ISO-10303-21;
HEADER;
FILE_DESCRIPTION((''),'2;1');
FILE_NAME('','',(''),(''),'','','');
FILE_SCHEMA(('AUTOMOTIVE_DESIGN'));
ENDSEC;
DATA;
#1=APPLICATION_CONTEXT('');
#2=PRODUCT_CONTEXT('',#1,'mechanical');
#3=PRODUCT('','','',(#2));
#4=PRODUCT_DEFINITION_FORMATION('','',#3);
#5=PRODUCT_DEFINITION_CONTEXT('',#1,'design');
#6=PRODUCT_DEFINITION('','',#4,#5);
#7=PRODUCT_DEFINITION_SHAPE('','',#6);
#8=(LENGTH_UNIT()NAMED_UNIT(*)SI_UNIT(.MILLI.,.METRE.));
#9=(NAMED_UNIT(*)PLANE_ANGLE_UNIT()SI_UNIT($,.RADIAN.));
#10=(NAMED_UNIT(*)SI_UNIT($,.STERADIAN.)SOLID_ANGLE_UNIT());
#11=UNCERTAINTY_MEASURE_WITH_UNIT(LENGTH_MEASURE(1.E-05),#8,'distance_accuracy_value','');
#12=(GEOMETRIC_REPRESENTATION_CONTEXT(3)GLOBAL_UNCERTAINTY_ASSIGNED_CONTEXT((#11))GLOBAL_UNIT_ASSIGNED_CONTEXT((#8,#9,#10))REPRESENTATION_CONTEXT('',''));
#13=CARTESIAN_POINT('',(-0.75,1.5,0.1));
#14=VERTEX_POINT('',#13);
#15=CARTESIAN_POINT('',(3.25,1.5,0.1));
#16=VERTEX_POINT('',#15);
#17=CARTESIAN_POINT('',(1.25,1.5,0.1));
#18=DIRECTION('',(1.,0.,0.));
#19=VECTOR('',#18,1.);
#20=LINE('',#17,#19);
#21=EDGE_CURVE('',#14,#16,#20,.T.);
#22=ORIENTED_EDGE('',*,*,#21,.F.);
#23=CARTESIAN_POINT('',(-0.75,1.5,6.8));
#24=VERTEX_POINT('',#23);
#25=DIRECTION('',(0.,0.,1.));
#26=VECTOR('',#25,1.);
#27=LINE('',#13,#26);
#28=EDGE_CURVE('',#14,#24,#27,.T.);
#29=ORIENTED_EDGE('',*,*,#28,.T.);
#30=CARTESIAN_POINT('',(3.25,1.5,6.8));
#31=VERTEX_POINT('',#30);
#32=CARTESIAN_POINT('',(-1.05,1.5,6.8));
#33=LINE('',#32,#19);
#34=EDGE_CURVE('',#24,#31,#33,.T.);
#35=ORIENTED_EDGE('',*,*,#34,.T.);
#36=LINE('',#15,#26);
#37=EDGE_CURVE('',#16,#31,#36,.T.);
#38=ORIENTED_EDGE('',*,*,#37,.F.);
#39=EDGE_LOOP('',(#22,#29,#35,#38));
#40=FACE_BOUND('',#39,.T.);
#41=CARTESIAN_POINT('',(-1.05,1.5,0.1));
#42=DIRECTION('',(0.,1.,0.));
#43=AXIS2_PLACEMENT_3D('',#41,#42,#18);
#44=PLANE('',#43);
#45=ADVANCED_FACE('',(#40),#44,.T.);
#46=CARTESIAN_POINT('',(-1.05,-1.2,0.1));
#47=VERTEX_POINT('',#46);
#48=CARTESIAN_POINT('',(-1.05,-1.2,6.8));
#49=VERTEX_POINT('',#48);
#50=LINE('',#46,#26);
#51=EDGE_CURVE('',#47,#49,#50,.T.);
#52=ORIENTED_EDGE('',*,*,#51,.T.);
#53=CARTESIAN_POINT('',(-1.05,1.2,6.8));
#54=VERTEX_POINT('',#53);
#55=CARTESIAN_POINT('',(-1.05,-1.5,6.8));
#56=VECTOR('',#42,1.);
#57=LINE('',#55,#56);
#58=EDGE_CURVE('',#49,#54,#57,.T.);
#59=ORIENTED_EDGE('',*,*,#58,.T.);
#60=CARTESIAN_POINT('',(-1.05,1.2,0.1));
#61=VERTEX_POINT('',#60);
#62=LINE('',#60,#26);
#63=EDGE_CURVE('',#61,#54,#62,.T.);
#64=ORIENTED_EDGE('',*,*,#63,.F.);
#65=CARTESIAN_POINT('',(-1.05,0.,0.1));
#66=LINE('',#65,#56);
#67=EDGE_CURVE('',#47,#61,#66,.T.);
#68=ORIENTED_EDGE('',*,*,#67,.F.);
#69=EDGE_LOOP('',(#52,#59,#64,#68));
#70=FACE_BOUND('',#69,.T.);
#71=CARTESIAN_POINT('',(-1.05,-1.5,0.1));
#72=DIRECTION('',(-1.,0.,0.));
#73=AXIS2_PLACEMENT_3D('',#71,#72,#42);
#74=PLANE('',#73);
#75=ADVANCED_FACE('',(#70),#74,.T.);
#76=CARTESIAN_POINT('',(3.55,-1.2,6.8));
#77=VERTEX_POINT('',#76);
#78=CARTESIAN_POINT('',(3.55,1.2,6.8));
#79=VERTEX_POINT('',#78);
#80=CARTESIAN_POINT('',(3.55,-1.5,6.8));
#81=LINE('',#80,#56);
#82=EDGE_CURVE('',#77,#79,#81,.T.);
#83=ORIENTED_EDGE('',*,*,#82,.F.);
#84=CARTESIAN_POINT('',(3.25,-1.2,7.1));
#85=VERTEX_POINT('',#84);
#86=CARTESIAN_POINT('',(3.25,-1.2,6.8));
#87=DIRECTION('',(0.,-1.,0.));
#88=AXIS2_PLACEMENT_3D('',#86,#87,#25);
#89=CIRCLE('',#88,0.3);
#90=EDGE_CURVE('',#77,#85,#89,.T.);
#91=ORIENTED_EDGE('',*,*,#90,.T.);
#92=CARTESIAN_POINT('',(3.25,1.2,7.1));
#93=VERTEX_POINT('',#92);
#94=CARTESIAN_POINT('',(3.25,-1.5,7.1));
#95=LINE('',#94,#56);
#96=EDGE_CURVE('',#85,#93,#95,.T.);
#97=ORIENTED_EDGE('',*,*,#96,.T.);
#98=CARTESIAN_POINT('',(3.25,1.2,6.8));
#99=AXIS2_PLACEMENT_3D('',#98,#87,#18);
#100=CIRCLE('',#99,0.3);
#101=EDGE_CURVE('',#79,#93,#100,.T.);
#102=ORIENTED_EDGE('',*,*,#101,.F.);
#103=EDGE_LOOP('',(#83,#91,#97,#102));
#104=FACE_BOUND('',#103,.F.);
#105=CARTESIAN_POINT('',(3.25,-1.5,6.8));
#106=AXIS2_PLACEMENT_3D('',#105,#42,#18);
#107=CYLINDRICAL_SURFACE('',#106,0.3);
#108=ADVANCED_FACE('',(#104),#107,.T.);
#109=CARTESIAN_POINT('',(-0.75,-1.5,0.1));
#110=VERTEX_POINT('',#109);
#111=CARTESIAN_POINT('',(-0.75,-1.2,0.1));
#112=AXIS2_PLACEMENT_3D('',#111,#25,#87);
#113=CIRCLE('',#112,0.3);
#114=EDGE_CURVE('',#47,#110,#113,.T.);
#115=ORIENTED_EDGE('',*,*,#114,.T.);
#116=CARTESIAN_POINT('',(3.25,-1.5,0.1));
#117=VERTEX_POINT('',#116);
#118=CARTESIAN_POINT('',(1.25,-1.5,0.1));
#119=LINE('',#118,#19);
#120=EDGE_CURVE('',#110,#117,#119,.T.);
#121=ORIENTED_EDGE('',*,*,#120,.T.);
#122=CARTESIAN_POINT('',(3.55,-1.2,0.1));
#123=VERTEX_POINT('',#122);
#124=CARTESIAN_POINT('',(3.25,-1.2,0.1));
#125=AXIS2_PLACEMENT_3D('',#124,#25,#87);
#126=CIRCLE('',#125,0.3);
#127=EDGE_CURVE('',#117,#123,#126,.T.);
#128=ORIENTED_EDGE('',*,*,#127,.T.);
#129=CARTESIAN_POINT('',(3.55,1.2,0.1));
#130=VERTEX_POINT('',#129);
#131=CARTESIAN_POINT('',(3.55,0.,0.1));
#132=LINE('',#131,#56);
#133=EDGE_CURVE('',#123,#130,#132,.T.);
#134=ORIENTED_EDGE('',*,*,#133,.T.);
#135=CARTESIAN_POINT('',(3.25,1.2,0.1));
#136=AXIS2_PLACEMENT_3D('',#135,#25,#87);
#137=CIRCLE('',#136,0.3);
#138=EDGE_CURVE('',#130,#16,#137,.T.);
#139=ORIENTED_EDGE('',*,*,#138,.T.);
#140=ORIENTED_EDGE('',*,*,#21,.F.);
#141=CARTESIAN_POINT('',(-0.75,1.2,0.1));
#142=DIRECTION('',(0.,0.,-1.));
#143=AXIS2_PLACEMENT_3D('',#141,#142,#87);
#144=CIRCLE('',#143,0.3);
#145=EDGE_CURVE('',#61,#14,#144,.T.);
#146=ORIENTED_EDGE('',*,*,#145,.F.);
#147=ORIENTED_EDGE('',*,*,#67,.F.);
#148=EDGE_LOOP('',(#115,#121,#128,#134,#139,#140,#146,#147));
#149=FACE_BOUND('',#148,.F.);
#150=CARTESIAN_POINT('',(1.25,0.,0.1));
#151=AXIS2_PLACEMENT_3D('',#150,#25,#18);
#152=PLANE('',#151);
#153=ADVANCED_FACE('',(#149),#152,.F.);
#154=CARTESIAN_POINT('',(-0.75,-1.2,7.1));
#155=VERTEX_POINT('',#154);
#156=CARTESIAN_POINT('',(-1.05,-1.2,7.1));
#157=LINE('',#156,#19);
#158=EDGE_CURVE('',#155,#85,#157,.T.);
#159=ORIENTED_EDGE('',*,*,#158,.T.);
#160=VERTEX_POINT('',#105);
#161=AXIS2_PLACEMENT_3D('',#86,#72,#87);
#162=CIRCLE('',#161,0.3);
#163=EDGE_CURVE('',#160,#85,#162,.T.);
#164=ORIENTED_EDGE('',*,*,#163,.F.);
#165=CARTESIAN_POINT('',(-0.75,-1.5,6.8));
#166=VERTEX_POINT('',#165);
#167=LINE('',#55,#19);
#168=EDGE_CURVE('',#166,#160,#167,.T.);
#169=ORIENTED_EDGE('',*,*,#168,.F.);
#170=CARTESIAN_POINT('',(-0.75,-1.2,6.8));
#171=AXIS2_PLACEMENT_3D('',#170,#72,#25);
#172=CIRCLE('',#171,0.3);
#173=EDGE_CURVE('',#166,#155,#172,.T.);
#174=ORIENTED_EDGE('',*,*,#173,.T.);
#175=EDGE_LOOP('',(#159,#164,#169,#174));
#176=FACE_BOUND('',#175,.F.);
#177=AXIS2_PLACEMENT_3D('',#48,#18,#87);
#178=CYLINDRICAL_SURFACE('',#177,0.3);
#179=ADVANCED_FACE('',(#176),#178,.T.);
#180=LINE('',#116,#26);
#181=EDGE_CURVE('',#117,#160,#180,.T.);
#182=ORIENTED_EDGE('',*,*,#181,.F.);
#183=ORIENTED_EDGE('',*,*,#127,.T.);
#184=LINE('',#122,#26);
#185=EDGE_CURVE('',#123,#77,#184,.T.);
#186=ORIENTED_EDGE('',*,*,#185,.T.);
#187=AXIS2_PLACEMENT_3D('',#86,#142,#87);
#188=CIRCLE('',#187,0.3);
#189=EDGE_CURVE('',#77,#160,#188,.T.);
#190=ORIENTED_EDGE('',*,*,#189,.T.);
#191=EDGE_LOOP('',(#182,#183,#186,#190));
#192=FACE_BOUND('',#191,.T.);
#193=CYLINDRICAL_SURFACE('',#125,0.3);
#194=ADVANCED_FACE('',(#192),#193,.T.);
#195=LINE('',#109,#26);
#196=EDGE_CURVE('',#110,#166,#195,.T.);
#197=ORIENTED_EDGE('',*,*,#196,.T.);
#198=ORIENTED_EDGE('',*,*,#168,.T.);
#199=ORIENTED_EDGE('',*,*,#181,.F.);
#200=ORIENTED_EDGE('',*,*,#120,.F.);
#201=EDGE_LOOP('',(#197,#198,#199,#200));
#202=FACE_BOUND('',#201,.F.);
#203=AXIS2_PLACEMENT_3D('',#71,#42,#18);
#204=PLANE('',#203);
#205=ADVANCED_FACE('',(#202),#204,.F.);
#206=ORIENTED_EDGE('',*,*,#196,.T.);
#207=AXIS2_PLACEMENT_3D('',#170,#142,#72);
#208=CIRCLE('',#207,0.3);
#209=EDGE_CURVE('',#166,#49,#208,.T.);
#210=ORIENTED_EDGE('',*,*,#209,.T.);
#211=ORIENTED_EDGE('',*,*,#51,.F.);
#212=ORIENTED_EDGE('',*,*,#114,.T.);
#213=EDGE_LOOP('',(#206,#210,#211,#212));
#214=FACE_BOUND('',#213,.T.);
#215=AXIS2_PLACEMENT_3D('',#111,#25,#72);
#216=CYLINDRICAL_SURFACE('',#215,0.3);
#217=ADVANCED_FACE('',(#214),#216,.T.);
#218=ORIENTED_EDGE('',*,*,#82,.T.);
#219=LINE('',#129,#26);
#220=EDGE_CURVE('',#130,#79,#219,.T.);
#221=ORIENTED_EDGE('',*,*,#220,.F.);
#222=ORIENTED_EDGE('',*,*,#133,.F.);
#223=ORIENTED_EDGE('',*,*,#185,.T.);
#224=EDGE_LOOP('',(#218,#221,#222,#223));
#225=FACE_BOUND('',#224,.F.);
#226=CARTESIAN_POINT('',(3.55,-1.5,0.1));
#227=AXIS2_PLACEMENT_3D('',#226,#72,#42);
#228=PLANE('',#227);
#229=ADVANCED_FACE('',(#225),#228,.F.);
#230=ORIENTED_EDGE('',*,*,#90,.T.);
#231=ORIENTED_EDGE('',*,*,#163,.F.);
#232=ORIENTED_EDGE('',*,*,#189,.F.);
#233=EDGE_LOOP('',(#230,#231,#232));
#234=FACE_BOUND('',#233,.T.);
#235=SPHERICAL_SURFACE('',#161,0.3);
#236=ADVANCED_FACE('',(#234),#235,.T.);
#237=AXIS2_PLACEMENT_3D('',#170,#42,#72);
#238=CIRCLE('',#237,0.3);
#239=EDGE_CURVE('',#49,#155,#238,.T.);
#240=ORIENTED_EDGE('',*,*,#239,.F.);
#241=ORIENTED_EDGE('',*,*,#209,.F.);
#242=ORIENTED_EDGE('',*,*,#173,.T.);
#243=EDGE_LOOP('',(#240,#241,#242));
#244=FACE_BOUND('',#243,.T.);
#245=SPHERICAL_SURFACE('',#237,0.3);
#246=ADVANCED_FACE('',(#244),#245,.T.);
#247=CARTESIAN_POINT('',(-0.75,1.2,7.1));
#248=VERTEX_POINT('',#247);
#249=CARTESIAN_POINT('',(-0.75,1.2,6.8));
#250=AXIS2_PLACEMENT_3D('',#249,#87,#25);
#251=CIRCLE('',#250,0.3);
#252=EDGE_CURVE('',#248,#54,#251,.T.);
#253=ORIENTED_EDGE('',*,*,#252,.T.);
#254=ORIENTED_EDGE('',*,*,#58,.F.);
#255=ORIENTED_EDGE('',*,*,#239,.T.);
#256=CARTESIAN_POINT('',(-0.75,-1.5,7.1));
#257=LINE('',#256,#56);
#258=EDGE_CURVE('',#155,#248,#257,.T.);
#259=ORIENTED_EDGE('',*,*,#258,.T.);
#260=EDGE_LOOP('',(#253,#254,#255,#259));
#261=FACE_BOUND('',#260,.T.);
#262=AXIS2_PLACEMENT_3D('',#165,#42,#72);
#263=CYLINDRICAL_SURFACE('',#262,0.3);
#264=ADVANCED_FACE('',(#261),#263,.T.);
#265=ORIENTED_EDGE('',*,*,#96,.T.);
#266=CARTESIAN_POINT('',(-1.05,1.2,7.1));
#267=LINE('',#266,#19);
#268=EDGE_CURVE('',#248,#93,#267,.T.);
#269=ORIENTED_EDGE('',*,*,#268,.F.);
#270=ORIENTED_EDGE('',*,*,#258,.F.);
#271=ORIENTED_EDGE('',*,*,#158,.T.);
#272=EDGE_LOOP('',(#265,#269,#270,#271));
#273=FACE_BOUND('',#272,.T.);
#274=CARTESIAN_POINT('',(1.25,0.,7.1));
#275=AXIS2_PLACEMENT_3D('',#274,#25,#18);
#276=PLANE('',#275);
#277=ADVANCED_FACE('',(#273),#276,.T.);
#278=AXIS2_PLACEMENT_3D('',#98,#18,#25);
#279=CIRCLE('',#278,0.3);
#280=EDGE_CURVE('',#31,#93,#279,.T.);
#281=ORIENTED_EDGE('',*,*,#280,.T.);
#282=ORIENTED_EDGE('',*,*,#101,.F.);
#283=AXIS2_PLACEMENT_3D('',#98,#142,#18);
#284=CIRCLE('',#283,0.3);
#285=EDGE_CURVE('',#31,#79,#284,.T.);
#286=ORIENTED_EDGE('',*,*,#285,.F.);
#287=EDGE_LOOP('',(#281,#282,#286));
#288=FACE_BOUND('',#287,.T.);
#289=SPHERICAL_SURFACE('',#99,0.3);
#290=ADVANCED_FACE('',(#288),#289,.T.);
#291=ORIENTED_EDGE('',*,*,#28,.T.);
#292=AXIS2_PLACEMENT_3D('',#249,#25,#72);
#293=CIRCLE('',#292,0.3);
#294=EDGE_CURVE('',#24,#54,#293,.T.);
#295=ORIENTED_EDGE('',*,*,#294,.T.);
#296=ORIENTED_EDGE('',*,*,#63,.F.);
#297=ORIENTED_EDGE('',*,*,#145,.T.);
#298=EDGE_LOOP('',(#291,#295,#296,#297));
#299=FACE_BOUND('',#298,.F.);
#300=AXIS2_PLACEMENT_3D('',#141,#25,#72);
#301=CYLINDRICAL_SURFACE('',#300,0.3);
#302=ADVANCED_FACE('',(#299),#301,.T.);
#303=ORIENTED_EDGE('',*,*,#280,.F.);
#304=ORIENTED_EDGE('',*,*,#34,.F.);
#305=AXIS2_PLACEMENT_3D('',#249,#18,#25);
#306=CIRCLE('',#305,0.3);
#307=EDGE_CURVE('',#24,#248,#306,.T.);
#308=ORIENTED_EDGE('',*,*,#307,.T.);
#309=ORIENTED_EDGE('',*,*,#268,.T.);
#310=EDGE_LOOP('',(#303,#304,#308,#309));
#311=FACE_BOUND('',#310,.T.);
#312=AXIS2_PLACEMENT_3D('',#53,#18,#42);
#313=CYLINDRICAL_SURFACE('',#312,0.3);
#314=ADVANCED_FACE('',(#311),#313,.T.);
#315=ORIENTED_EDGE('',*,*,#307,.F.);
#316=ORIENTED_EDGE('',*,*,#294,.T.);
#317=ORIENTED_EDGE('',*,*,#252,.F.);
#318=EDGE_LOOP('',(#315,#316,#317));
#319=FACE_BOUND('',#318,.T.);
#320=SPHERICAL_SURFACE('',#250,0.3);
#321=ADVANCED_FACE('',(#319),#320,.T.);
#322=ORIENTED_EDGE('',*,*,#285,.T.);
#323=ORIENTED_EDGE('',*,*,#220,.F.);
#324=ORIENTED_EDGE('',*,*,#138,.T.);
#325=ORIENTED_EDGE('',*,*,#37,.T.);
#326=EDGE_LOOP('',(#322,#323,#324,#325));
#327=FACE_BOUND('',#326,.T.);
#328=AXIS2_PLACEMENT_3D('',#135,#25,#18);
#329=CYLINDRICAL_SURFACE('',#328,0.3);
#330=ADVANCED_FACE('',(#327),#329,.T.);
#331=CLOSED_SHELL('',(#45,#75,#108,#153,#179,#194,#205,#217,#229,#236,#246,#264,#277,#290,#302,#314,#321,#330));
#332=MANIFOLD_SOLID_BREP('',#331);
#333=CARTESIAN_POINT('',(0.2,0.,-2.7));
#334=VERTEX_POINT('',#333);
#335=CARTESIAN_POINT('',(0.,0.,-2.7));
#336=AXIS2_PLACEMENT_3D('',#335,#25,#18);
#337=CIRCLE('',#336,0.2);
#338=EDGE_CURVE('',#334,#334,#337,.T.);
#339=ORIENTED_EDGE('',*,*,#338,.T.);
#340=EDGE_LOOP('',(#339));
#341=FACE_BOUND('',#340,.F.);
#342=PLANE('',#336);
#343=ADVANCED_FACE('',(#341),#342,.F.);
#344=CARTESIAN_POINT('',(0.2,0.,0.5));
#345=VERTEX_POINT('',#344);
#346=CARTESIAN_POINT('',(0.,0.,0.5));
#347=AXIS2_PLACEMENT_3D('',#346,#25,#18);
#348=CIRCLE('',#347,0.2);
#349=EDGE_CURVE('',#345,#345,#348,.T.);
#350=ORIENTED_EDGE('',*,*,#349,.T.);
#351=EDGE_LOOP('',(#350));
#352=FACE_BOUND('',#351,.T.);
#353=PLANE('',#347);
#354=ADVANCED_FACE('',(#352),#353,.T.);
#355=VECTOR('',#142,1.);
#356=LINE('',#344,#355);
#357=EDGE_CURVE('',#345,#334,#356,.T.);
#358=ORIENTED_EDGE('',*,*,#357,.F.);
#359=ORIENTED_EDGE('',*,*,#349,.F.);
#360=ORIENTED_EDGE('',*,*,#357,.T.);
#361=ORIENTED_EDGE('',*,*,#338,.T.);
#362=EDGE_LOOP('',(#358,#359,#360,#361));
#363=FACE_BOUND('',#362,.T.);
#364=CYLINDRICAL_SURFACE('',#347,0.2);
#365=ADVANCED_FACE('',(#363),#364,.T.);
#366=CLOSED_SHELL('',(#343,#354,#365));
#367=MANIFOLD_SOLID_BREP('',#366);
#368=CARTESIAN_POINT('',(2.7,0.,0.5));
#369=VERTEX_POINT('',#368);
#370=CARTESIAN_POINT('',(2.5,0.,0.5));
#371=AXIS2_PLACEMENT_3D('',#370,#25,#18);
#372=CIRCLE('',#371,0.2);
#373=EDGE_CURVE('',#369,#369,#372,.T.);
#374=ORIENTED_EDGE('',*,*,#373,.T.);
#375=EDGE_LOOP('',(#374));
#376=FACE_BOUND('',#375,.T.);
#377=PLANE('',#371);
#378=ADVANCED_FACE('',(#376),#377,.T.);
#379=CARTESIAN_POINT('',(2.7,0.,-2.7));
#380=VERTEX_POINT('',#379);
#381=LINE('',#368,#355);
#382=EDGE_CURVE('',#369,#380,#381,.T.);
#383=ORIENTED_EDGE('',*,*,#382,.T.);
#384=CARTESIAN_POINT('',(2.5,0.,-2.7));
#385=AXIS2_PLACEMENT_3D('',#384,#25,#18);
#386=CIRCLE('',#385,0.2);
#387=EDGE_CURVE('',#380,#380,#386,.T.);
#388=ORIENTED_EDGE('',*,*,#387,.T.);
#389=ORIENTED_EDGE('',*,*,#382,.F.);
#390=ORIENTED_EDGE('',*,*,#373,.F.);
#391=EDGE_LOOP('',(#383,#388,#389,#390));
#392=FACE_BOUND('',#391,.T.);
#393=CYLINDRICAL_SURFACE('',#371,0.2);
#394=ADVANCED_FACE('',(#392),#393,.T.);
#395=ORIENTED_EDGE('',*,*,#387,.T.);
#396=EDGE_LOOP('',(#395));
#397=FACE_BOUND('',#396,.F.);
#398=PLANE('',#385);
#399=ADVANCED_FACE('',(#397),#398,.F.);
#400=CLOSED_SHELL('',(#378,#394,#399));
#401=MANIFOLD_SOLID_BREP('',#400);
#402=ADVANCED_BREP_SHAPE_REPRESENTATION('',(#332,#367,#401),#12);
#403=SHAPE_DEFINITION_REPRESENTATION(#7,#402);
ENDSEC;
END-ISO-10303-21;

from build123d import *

# Parameters (mm, degrees)
SKETCH_W     = 4.6
SKETCH_H     = 3
PAD_DEPTH    = 7
FILLET_R     = 0.3
SKETCH001_R  = 0.2
PAD001_DEPTH = 3.2


with BuildPart() as fillet_body:
    # Sketch → Pad (new body)
    with BuildSketch(Plane.XY.offset(0.1)):
        with Locations((1.25, 0)):
            Rectangle(SKETCH_W, SKETCH_H)
    extrude(amount=PAD_DEPTH)

    # Fillet
    fillet_edges = [fillet_body.edges().sort_by_distance(p)[0] for p in [
        (-1.05, 0, 7.1),
        (-1.05, -1.5, 3.6),
        (1.25, -1.5, 7.1),
        (3.55, -1.5, 3.6),
        (3.55, 0, 7.1),
        (3.55, 1.5, 3.6),
        (1.25, 1.5, 7.1),
        (-1.05, 1.5, 3.6),
    ]]
    fillet(fillet_edges, radius=FILLET_R)


with BuildPart() as pad001:
    # Sketch001 → Pad001 (new body)
    with BuildSketch(Plane.XY.offset(0.5)):
        Circle(SKETCH001_R)
        with Locations((2.5, 0)):
            Circle(SKETCH001_R)
    extrude(amount=-PAD001_DEPTH)


solid = Compound([fillet_body.part, pad001.part])
